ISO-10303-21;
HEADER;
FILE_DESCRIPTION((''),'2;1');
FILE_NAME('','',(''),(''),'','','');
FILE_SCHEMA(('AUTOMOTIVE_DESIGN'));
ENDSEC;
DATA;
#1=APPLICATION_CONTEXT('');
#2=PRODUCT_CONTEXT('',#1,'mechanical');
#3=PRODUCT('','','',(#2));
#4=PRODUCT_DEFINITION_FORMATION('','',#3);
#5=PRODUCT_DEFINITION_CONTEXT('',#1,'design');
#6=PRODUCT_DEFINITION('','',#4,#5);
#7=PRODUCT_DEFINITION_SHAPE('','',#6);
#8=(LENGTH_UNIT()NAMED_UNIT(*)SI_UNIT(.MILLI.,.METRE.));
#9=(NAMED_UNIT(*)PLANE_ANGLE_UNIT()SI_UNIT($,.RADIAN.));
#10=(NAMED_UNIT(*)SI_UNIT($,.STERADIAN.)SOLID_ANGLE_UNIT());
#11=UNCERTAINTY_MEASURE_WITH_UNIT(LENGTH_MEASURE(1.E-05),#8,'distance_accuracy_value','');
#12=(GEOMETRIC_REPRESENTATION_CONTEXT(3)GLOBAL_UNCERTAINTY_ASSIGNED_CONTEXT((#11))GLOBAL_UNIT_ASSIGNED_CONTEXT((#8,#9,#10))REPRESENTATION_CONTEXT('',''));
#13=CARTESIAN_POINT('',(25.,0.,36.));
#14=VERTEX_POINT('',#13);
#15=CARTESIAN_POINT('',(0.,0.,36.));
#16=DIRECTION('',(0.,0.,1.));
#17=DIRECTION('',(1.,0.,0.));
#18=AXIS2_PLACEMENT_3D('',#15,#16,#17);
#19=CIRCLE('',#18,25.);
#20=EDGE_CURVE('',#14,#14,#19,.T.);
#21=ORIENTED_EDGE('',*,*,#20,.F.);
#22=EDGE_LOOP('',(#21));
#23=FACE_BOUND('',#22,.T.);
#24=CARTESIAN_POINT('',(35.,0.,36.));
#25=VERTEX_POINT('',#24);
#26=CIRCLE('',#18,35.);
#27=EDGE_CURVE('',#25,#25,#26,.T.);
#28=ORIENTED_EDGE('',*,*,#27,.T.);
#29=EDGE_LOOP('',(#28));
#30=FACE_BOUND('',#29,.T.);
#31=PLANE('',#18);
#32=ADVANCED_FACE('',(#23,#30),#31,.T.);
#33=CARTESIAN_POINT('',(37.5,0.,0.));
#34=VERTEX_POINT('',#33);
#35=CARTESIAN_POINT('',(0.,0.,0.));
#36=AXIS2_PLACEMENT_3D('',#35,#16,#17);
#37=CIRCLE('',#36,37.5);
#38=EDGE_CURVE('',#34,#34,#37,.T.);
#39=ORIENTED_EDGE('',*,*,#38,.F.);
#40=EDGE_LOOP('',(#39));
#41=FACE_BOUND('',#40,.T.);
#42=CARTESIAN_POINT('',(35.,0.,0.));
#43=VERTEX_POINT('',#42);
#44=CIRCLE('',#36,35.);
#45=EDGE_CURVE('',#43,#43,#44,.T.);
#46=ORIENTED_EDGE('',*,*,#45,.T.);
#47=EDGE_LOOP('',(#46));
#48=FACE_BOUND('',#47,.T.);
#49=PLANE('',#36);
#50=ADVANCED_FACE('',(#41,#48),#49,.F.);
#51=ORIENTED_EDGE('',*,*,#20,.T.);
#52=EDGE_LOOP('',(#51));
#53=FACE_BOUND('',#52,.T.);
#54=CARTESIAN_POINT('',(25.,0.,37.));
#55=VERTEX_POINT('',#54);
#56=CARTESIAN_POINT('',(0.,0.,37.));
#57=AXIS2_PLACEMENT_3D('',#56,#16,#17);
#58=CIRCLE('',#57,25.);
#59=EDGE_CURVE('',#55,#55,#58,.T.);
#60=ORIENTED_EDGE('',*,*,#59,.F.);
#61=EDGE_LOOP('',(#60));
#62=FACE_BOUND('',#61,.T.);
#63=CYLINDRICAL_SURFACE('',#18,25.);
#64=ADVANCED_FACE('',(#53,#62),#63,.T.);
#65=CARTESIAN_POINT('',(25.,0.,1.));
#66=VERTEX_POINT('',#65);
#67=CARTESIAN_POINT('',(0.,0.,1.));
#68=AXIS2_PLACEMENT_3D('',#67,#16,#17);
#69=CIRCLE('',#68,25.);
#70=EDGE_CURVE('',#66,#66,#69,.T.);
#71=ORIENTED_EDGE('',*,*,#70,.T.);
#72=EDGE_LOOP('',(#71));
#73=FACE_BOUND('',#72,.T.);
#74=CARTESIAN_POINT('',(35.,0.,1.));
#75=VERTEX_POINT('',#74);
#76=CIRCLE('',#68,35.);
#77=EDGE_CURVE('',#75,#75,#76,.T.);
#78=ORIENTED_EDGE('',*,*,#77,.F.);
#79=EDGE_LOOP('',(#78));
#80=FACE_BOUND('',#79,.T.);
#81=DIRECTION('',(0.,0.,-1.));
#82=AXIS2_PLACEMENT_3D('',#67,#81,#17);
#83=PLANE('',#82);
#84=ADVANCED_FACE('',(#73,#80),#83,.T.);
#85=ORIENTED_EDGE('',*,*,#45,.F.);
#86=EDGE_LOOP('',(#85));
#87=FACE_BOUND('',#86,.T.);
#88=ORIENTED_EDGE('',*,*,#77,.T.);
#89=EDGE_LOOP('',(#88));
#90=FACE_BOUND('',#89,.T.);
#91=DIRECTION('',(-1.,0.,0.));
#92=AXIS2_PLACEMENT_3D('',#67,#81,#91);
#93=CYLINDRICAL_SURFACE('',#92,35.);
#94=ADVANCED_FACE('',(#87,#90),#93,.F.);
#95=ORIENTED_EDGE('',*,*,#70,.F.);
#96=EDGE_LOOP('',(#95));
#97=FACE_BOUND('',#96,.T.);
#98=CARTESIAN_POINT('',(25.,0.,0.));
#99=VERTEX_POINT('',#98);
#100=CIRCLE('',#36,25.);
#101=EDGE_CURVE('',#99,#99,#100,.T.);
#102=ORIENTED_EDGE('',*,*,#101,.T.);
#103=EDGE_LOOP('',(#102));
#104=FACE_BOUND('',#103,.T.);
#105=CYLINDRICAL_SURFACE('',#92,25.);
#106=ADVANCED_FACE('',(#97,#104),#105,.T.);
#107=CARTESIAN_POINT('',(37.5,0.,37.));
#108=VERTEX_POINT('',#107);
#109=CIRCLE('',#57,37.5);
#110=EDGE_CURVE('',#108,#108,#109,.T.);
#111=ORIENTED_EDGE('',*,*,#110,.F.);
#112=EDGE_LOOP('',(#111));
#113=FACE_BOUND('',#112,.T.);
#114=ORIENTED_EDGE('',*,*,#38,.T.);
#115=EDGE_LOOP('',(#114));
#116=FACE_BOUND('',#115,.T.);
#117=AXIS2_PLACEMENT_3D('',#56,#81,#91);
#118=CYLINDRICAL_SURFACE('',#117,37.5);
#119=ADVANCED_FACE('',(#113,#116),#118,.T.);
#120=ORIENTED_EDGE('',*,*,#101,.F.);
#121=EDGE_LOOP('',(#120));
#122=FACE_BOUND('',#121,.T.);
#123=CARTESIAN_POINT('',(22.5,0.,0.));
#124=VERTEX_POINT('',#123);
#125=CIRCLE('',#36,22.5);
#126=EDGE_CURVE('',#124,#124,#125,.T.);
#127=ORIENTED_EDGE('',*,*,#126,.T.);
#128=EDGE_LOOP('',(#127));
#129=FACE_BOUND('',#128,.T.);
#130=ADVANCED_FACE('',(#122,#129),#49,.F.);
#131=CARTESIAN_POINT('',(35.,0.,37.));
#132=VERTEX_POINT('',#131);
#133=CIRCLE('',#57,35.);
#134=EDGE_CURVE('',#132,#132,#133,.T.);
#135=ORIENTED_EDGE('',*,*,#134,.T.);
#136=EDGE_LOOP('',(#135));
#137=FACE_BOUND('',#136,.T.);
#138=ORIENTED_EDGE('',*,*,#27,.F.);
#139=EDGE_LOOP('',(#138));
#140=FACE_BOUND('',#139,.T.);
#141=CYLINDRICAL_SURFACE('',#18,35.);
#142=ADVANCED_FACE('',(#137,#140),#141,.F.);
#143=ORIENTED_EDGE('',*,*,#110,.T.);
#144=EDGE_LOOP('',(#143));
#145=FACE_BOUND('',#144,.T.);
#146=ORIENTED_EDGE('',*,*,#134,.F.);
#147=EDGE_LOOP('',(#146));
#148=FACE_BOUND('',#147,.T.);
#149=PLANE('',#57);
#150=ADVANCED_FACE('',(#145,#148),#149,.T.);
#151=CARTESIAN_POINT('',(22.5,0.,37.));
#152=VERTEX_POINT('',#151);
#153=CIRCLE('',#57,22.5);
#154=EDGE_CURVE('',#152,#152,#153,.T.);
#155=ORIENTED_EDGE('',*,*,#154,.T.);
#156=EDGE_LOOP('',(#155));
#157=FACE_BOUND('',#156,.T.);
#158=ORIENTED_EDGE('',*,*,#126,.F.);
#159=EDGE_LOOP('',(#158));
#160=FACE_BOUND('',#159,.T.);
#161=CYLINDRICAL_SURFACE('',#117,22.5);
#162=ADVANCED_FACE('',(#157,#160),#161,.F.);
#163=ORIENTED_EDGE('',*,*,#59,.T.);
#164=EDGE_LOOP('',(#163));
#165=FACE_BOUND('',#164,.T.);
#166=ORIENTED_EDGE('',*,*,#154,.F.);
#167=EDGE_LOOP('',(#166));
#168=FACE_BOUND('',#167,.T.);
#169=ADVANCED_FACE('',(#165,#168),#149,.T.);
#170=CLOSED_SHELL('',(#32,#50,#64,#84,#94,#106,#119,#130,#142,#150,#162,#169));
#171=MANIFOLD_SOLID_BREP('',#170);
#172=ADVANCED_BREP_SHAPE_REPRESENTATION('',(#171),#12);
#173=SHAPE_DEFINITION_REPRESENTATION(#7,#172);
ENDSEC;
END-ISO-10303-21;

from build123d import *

# Parameters (mm, degrees)
SZKIC1_R                    = 37.5
SZKIC1_R_2                  = 22.5
DODANIE_WYCI_GNI_CIE1_DEPTH = 37
SZKIC2_R                    = 35
SZKIC2_R_2                  = 25
WYTNIJ_WYCI_GNI_CIE1_DEPTH  = 1


with BuildPart() as part:
    # Szkic1 → Dodanie-wyciągnięcie1 (new body)
    with BuildSketch(Plane.XY):
        Circle(SZKIC1_R)
        Circle(SZKIC1_R_2, mode=Mode.SUBTRACT)
    extrude(amount=DODANIE_WYCI_GNI_CIE1_DEPTH)

    # Szkic2 → Wytnij-wyciągnięcie1 (cut)
    with BuildSketch(Plane.XY.offset(37)):
        Circle(SZKIC2_R)
        Circle(SZKIC2_R_2, mode=Mode.SUBTRACT)
    wytnij_wyci_gni_cie1 = extrude(amount=-WYTNIJ_WYCI_GNI_CIE1_DEPTH, mode=Mode.SUBTRACT)

    # Lustro1: Wytnij-wyciągnięcie1 across plane
    add(wytnij_wyci_gni_cie1.mirror(Plane.XY.offset(18.5)), mode=Mode.SUBTRACT)


solid = part.part
